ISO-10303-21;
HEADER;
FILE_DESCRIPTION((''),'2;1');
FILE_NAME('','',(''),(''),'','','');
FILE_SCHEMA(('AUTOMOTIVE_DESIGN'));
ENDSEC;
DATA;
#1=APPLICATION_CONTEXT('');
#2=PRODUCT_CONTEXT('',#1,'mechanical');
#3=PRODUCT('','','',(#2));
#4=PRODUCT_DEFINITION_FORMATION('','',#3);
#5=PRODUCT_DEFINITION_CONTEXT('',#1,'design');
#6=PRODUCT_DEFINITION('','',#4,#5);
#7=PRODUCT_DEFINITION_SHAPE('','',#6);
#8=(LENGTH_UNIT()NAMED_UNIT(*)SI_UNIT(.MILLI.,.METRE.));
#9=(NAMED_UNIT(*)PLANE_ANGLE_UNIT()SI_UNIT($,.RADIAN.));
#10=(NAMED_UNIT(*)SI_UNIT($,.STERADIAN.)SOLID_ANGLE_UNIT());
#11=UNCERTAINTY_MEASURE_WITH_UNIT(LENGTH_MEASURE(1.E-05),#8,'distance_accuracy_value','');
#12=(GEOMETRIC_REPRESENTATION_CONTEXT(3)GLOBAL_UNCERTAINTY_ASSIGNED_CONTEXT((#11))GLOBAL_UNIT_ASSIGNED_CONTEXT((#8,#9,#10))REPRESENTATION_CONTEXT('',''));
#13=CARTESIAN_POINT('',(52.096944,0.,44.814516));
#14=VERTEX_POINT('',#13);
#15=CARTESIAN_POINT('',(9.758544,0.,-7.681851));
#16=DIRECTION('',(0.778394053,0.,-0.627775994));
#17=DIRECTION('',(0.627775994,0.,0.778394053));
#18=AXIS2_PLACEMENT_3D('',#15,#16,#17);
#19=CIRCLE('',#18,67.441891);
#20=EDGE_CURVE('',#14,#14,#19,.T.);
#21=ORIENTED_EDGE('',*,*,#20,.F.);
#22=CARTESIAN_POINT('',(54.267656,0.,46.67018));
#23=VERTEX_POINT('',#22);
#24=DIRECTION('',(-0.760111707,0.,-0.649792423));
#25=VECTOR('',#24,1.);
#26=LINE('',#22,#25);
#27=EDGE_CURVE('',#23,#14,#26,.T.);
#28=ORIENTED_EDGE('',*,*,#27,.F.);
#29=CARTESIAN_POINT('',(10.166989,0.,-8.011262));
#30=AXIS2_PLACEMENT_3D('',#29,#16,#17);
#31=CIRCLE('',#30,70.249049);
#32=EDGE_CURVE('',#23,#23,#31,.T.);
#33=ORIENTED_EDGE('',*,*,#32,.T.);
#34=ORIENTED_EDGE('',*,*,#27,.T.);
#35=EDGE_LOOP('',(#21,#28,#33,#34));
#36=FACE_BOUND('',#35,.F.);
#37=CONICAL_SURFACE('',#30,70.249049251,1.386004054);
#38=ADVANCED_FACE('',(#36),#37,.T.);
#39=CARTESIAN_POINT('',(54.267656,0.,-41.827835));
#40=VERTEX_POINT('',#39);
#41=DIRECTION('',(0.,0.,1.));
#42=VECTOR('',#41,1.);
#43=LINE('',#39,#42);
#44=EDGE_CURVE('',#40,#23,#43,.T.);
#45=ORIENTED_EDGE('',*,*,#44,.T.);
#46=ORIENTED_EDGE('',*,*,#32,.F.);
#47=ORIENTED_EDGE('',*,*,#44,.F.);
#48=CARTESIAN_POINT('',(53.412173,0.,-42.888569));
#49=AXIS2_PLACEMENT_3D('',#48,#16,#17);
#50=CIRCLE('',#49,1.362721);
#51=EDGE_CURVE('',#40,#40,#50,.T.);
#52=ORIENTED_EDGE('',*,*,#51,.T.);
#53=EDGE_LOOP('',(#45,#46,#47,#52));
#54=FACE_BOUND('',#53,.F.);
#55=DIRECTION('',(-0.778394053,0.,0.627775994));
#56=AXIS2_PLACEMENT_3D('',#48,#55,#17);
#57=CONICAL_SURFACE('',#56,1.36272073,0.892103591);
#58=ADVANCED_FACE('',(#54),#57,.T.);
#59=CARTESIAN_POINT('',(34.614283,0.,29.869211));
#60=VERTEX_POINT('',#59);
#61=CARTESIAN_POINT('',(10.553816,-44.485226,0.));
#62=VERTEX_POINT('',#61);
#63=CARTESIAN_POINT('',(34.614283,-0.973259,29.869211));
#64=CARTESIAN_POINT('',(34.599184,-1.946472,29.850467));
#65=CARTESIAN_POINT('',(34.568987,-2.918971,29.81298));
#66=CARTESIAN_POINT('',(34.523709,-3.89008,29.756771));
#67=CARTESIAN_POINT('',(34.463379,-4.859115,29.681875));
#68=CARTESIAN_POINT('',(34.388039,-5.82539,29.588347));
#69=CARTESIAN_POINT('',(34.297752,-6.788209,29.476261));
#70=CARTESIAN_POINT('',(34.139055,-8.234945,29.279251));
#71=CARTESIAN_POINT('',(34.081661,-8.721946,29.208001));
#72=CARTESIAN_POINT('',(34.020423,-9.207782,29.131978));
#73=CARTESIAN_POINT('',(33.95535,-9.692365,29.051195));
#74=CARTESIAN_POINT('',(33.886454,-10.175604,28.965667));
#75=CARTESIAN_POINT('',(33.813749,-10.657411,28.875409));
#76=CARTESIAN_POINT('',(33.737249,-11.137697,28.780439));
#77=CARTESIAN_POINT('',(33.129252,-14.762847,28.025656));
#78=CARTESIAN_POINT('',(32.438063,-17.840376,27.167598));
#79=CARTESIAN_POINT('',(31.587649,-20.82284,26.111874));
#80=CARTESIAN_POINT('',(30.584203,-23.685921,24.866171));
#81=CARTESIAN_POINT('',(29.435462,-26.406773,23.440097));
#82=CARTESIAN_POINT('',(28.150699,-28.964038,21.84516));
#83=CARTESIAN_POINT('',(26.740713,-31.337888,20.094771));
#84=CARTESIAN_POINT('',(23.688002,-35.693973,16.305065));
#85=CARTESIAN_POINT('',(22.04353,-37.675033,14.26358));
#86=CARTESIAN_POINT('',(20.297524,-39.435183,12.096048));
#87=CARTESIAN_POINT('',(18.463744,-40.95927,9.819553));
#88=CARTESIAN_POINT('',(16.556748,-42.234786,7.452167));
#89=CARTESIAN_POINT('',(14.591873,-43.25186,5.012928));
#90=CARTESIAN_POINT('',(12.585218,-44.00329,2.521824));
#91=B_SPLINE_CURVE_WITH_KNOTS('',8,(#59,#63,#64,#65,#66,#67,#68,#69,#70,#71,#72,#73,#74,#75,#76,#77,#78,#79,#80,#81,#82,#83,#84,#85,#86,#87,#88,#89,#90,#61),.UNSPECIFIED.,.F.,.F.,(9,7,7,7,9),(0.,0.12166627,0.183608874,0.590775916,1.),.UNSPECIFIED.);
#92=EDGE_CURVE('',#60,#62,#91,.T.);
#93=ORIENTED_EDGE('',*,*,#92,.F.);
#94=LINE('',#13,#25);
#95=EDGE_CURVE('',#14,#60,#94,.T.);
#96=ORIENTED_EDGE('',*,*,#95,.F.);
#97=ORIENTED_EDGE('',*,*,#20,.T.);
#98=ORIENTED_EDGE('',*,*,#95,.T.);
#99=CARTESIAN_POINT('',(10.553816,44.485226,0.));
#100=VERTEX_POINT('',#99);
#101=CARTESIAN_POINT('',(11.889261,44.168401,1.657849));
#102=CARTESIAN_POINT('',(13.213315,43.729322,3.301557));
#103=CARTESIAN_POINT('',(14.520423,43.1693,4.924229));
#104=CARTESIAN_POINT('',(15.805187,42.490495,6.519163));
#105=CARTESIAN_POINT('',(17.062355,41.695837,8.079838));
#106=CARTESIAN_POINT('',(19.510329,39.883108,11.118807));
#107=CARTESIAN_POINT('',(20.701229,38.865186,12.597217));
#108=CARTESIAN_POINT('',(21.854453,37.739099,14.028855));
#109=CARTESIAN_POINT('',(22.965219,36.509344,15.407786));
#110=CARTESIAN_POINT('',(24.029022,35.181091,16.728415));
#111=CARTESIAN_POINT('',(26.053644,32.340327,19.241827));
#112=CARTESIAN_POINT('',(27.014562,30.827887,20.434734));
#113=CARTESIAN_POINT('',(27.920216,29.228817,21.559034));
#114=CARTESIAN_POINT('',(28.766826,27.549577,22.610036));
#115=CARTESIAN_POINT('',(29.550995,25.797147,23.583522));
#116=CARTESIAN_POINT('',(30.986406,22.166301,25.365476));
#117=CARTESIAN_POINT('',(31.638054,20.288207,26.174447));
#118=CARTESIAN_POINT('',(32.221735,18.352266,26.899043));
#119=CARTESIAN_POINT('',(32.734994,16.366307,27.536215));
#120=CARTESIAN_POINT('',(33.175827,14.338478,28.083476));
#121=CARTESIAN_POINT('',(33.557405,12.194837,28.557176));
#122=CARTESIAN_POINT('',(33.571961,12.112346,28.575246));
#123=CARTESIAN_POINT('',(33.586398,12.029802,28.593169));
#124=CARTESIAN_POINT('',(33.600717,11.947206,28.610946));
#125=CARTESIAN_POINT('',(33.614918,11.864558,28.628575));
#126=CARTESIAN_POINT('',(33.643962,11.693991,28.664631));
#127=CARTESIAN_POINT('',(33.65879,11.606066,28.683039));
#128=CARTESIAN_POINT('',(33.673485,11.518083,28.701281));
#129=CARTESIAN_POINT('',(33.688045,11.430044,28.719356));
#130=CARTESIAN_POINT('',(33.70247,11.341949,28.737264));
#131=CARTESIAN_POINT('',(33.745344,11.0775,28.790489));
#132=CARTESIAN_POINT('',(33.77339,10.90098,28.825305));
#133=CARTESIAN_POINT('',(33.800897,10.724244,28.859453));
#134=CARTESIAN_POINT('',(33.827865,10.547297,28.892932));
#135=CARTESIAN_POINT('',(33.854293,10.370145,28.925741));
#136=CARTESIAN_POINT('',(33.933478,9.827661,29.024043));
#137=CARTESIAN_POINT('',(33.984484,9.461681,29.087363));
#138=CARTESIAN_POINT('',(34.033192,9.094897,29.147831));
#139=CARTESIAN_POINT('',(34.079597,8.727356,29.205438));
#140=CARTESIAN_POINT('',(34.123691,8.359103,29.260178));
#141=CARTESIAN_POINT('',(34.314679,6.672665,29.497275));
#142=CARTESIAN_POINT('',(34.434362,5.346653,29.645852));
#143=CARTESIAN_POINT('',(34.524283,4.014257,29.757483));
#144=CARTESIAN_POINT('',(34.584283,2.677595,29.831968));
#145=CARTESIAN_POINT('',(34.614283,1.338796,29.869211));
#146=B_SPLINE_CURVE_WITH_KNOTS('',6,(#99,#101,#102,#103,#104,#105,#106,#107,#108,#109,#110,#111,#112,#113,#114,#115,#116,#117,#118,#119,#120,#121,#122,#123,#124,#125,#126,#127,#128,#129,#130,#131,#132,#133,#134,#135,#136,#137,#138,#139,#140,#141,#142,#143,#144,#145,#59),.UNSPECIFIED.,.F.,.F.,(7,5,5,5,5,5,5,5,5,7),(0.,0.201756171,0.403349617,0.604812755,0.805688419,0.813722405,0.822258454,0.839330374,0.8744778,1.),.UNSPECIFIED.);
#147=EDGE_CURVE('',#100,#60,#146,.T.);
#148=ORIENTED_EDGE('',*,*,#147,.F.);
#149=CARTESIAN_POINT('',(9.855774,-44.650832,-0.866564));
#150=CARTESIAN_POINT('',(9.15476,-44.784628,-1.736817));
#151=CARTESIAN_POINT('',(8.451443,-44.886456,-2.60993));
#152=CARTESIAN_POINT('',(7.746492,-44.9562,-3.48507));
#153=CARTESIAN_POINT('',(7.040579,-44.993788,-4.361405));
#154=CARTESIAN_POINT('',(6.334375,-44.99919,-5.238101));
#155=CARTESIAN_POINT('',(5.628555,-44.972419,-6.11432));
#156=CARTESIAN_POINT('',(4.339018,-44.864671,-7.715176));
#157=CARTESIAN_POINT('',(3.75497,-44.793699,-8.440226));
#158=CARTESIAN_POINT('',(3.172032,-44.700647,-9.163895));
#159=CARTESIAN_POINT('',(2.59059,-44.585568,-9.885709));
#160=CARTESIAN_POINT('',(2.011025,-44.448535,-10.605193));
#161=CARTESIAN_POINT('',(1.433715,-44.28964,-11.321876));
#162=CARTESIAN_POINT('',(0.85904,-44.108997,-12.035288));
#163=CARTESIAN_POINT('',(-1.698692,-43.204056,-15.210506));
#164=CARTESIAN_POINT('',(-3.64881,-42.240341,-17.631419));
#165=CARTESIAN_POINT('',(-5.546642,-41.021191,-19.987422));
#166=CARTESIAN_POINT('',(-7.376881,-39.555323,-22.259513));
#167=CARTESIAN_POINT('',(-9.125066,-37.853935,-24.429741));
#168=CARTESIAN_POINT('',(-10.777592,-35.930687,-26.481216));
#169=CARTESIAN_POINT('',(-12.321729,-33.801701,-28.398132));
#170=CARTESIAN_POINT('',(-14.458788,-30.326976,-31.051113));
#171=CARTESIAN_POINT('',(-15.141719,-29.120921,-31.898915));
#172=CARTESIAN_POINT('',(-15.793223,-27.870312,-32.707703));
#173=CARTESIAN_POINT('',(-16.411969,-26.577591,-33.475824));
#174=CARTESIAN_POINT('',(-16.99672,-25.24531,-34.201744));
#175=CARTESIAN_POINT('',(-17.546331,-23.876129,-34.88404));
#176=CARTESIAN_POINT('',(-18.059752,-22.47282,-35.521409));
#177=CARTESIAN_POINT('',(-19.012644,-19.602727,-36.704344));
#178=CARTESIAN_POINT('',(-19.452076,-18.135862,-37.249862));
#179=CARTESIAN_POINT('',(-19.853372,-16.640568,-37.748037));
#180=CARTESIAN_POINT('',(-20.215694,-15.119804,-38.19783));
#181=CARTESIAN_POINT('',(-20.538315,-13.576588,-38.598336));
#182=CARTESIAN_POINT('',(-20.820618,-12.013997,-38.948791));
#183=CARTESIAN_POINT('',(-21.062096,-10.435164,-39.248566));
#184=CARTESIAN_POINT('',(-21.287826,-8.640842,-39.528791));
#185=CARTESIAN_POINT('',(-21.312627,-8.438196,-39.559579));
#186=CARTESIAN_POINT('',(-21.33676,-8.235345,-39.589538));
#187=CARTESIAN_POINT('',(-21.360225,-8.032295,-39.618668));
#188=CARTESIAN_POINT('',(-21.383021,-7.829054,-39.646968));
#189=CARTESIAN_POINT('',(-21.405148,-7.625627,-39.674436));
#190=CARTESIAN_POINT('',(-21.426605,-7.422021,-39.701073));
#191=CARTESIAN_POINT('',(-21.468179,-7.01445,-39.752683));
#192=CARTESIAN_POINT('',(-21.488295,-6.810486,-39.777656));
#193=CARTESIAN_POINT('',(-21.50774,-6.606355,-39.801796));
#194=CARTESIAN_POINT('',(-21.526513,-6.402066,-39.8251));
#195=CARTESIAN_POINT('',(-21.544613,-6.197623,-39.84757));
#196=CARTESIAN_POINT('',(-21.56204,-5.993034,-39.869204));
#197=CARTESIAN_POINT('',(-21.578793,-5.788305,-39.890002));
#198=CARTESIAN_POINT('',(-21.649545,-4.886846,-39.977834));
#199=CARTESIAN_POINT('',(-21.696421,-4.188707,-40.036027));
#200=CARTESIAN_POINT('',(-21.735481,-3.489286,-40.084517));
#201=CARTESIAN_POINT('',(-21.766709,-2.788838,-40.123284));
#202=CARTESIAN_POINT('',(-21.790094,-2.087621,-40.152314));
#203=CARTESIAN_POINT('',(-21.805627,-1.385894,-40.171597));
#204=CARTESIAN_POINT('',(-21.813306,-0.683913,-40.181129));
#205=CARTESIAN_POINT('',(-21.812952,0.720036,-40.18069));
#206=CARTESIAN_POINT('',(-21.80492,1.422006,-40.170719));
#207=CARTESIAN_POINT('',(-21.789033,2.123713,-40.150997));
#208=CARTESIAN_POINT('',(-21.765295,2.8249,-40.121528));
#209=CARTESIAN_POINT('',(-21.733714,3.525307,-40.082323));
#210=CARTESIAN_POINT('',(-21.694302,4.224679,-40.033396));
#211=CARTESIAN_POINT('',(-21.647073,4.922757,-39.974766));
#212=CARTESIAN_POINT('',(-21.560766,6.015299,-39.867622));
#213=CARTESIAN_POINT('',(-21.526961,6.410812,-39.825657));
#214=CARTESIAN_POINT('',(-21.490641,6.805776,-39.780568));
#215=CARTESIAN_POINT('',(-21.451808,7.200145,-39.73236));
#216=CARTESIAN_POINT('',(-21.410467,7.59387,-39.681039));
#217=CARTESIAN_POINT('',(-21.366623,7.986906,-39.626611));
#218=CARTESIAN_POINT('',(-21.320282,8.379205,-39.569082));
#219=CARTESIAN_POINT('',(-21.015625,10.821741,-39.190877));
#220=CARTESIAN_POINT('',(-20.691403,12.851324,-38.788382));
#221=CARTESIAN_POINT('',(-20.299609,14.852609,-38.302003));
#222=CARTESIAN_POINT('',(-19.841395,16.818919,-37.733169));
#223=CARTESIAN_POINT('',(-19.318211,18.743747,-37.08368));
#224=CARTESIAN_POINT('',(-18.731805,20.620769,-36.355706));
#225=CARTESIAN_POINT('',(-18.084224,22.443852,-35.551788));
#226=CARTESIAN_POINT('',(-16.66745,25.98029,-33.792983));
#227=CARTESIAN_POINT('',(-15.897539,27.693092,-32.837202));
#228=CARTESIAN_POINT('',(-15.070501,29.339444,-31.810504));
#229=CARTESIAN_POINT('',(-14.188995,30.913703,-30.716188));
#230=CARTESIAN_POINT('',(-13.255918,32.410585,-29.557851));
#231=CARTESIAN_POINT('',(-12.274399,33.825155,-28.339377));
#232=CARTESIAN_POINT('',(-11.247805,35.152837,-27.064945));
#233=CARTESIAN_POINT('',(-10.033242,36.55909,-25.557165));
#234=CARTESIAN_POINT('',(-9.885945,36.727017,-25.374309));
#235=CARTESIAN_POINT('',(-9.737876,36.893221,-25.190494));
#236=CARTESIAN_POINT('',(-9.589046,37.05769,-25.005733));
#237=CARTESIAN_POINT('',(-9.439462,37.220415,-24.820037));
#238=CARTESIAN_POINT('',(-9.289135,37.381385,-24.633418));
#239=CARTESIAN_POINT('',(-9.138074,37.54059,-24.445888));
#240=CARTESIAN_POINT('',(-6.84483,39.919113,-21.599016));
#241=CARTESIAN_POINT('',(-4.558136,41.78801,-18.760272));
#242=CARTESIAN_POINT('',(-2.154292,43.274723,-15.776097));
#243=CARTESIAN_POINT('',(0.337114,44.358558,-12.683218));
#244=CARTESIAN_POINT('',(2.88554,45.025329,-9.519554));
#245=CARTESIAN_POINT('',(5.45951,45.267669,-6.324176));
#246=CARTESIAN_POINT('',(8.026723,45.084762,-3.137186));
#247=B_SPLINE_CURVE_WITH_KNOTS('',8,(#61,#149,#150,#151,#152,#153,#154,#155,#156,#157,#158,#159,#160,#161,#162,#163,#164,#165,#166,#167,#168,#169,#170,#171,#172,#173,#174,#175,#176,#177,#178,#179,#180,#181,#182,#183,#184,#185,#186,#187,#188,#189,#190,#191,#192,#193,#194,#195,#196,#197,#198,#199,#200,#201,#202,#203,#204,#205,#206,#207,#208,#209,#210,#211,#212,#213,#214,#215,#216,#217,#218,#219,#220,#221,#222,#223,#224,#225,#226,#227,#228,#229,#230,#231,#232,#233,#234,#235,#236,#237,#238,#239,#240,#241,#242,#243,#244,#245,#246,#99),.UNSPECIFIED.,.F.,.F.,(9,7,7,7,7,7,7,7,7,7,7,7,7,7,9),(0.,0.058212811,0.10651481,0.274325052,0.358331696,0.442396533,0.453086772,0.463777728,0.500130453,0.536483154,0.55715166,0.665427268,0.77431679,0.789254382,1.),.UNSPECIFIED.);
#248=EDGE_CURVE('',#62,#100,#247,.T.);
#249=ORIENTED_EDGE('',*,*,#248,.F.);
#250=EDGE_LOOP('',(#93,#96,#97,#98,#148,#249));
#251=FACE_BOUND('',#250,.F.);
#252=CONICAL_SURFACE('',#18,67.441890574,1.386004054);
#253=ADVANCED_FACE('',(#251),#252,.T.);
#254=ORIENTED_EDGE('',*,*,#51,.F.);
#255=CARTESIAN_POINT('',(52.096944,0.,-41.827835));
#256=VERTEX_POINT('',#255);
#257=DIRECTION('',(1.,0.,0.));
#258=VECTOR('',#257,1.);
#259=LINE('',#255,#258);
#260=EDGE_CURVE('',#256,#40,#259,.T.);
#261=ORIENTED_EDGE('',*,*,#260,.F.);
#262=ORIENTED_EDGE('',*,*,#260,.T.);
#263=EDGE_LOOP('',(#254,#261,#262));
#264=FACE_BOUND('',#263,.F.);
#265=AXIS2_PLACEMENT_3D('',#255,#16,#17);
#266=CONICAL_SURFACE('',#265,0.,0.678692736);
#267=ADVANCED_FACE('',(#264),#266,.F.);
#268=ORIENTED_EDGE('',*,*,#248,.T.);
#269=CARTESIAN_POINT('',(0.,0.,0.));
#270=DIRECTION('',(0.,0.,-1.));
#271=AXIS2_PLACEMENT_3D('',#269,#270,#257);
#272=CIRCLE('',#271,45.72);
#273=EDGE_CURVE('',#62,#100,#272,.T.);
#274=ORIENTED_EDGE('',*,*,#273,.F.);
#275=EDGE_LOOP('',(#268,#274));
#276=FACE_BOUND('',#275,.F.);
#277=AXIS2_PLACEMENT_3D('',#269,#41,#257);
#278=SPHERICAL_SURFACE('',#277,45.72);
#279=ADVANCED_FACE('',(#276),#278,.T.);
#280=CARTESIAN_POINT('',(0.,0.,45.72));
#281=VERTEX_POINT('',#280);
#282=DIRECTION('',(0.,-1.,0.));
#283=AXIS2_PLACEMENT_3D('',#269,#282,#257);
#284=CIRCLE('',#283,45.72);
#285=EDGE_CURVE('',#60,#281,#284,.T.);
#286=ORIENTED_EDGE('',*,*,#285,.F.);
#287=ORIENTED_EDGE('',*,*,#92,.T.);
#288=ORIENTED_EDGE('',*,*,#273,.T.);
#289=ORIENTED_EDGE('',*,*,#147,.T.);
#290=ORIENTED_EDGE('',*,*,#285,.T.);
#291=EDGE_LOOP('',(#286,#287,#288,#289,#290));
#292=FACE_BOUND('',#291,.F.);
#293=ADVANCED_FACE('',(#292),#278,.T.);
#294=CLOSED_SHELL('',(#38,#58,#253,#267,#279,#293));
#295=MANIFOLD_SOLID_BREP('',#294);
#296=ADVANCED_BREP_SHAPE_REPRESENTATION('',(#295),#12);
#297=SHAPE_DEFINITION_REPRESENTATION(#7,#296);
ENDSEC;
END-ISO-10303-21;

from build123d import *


with BuildPart() as f2:
    # F0 (on Front) → F2 (revolve)
    with BuildSketch(Plane.XZ):
        with BuildLine():
            ThreePointArc((0, -45.72), (32.3289220358, -32.3289220358), (45.72, 0))
            ThreePointArc((45.72, 0), (32.3289220358, 32.3289220358), (0, 45.72))
            Line((0, 45.72), (0, -45.72))
        make_face()
    revolve(axis=Axis((0, 0, -0.2799529524), (0, 0, -1)))

    # F1 (on Front) → F3 (revolve)
    with BuildSketch(Plane.XZ):
        with BuildLine():
            Line((54.2676560581, 46.6701798141), (52.0969443023, 44.8145156535))
            Line((52.0969443023, 44.8145156535), (18.8562326546, 16.3982152788))
            ThreePointArc((18.8562326546, 16.3982152788), (23.4057761279, 8.7537773621), (24.9891771424, 0))
            ThreePointArc((24.9891771424, 0), (23.5884155832, -8.2489771807), (19.5431695256, -15.5731659963))
            Line((19.5431695256, -15.5731659963), (52.0969443023, -41.8278351426))
            Line((52.0969443023, -41.8278351426), (54.2676560581, -41.8278351426))
            Line((54.2676560581, -41.8278351426), (54.2676560581, 46.6701798141))
        make_face()
    revolve(axis=Axis((-1.836752519, 0, 1.669773832), (0.7783940527, 0, -0.627775994)))


solid = f2.part
